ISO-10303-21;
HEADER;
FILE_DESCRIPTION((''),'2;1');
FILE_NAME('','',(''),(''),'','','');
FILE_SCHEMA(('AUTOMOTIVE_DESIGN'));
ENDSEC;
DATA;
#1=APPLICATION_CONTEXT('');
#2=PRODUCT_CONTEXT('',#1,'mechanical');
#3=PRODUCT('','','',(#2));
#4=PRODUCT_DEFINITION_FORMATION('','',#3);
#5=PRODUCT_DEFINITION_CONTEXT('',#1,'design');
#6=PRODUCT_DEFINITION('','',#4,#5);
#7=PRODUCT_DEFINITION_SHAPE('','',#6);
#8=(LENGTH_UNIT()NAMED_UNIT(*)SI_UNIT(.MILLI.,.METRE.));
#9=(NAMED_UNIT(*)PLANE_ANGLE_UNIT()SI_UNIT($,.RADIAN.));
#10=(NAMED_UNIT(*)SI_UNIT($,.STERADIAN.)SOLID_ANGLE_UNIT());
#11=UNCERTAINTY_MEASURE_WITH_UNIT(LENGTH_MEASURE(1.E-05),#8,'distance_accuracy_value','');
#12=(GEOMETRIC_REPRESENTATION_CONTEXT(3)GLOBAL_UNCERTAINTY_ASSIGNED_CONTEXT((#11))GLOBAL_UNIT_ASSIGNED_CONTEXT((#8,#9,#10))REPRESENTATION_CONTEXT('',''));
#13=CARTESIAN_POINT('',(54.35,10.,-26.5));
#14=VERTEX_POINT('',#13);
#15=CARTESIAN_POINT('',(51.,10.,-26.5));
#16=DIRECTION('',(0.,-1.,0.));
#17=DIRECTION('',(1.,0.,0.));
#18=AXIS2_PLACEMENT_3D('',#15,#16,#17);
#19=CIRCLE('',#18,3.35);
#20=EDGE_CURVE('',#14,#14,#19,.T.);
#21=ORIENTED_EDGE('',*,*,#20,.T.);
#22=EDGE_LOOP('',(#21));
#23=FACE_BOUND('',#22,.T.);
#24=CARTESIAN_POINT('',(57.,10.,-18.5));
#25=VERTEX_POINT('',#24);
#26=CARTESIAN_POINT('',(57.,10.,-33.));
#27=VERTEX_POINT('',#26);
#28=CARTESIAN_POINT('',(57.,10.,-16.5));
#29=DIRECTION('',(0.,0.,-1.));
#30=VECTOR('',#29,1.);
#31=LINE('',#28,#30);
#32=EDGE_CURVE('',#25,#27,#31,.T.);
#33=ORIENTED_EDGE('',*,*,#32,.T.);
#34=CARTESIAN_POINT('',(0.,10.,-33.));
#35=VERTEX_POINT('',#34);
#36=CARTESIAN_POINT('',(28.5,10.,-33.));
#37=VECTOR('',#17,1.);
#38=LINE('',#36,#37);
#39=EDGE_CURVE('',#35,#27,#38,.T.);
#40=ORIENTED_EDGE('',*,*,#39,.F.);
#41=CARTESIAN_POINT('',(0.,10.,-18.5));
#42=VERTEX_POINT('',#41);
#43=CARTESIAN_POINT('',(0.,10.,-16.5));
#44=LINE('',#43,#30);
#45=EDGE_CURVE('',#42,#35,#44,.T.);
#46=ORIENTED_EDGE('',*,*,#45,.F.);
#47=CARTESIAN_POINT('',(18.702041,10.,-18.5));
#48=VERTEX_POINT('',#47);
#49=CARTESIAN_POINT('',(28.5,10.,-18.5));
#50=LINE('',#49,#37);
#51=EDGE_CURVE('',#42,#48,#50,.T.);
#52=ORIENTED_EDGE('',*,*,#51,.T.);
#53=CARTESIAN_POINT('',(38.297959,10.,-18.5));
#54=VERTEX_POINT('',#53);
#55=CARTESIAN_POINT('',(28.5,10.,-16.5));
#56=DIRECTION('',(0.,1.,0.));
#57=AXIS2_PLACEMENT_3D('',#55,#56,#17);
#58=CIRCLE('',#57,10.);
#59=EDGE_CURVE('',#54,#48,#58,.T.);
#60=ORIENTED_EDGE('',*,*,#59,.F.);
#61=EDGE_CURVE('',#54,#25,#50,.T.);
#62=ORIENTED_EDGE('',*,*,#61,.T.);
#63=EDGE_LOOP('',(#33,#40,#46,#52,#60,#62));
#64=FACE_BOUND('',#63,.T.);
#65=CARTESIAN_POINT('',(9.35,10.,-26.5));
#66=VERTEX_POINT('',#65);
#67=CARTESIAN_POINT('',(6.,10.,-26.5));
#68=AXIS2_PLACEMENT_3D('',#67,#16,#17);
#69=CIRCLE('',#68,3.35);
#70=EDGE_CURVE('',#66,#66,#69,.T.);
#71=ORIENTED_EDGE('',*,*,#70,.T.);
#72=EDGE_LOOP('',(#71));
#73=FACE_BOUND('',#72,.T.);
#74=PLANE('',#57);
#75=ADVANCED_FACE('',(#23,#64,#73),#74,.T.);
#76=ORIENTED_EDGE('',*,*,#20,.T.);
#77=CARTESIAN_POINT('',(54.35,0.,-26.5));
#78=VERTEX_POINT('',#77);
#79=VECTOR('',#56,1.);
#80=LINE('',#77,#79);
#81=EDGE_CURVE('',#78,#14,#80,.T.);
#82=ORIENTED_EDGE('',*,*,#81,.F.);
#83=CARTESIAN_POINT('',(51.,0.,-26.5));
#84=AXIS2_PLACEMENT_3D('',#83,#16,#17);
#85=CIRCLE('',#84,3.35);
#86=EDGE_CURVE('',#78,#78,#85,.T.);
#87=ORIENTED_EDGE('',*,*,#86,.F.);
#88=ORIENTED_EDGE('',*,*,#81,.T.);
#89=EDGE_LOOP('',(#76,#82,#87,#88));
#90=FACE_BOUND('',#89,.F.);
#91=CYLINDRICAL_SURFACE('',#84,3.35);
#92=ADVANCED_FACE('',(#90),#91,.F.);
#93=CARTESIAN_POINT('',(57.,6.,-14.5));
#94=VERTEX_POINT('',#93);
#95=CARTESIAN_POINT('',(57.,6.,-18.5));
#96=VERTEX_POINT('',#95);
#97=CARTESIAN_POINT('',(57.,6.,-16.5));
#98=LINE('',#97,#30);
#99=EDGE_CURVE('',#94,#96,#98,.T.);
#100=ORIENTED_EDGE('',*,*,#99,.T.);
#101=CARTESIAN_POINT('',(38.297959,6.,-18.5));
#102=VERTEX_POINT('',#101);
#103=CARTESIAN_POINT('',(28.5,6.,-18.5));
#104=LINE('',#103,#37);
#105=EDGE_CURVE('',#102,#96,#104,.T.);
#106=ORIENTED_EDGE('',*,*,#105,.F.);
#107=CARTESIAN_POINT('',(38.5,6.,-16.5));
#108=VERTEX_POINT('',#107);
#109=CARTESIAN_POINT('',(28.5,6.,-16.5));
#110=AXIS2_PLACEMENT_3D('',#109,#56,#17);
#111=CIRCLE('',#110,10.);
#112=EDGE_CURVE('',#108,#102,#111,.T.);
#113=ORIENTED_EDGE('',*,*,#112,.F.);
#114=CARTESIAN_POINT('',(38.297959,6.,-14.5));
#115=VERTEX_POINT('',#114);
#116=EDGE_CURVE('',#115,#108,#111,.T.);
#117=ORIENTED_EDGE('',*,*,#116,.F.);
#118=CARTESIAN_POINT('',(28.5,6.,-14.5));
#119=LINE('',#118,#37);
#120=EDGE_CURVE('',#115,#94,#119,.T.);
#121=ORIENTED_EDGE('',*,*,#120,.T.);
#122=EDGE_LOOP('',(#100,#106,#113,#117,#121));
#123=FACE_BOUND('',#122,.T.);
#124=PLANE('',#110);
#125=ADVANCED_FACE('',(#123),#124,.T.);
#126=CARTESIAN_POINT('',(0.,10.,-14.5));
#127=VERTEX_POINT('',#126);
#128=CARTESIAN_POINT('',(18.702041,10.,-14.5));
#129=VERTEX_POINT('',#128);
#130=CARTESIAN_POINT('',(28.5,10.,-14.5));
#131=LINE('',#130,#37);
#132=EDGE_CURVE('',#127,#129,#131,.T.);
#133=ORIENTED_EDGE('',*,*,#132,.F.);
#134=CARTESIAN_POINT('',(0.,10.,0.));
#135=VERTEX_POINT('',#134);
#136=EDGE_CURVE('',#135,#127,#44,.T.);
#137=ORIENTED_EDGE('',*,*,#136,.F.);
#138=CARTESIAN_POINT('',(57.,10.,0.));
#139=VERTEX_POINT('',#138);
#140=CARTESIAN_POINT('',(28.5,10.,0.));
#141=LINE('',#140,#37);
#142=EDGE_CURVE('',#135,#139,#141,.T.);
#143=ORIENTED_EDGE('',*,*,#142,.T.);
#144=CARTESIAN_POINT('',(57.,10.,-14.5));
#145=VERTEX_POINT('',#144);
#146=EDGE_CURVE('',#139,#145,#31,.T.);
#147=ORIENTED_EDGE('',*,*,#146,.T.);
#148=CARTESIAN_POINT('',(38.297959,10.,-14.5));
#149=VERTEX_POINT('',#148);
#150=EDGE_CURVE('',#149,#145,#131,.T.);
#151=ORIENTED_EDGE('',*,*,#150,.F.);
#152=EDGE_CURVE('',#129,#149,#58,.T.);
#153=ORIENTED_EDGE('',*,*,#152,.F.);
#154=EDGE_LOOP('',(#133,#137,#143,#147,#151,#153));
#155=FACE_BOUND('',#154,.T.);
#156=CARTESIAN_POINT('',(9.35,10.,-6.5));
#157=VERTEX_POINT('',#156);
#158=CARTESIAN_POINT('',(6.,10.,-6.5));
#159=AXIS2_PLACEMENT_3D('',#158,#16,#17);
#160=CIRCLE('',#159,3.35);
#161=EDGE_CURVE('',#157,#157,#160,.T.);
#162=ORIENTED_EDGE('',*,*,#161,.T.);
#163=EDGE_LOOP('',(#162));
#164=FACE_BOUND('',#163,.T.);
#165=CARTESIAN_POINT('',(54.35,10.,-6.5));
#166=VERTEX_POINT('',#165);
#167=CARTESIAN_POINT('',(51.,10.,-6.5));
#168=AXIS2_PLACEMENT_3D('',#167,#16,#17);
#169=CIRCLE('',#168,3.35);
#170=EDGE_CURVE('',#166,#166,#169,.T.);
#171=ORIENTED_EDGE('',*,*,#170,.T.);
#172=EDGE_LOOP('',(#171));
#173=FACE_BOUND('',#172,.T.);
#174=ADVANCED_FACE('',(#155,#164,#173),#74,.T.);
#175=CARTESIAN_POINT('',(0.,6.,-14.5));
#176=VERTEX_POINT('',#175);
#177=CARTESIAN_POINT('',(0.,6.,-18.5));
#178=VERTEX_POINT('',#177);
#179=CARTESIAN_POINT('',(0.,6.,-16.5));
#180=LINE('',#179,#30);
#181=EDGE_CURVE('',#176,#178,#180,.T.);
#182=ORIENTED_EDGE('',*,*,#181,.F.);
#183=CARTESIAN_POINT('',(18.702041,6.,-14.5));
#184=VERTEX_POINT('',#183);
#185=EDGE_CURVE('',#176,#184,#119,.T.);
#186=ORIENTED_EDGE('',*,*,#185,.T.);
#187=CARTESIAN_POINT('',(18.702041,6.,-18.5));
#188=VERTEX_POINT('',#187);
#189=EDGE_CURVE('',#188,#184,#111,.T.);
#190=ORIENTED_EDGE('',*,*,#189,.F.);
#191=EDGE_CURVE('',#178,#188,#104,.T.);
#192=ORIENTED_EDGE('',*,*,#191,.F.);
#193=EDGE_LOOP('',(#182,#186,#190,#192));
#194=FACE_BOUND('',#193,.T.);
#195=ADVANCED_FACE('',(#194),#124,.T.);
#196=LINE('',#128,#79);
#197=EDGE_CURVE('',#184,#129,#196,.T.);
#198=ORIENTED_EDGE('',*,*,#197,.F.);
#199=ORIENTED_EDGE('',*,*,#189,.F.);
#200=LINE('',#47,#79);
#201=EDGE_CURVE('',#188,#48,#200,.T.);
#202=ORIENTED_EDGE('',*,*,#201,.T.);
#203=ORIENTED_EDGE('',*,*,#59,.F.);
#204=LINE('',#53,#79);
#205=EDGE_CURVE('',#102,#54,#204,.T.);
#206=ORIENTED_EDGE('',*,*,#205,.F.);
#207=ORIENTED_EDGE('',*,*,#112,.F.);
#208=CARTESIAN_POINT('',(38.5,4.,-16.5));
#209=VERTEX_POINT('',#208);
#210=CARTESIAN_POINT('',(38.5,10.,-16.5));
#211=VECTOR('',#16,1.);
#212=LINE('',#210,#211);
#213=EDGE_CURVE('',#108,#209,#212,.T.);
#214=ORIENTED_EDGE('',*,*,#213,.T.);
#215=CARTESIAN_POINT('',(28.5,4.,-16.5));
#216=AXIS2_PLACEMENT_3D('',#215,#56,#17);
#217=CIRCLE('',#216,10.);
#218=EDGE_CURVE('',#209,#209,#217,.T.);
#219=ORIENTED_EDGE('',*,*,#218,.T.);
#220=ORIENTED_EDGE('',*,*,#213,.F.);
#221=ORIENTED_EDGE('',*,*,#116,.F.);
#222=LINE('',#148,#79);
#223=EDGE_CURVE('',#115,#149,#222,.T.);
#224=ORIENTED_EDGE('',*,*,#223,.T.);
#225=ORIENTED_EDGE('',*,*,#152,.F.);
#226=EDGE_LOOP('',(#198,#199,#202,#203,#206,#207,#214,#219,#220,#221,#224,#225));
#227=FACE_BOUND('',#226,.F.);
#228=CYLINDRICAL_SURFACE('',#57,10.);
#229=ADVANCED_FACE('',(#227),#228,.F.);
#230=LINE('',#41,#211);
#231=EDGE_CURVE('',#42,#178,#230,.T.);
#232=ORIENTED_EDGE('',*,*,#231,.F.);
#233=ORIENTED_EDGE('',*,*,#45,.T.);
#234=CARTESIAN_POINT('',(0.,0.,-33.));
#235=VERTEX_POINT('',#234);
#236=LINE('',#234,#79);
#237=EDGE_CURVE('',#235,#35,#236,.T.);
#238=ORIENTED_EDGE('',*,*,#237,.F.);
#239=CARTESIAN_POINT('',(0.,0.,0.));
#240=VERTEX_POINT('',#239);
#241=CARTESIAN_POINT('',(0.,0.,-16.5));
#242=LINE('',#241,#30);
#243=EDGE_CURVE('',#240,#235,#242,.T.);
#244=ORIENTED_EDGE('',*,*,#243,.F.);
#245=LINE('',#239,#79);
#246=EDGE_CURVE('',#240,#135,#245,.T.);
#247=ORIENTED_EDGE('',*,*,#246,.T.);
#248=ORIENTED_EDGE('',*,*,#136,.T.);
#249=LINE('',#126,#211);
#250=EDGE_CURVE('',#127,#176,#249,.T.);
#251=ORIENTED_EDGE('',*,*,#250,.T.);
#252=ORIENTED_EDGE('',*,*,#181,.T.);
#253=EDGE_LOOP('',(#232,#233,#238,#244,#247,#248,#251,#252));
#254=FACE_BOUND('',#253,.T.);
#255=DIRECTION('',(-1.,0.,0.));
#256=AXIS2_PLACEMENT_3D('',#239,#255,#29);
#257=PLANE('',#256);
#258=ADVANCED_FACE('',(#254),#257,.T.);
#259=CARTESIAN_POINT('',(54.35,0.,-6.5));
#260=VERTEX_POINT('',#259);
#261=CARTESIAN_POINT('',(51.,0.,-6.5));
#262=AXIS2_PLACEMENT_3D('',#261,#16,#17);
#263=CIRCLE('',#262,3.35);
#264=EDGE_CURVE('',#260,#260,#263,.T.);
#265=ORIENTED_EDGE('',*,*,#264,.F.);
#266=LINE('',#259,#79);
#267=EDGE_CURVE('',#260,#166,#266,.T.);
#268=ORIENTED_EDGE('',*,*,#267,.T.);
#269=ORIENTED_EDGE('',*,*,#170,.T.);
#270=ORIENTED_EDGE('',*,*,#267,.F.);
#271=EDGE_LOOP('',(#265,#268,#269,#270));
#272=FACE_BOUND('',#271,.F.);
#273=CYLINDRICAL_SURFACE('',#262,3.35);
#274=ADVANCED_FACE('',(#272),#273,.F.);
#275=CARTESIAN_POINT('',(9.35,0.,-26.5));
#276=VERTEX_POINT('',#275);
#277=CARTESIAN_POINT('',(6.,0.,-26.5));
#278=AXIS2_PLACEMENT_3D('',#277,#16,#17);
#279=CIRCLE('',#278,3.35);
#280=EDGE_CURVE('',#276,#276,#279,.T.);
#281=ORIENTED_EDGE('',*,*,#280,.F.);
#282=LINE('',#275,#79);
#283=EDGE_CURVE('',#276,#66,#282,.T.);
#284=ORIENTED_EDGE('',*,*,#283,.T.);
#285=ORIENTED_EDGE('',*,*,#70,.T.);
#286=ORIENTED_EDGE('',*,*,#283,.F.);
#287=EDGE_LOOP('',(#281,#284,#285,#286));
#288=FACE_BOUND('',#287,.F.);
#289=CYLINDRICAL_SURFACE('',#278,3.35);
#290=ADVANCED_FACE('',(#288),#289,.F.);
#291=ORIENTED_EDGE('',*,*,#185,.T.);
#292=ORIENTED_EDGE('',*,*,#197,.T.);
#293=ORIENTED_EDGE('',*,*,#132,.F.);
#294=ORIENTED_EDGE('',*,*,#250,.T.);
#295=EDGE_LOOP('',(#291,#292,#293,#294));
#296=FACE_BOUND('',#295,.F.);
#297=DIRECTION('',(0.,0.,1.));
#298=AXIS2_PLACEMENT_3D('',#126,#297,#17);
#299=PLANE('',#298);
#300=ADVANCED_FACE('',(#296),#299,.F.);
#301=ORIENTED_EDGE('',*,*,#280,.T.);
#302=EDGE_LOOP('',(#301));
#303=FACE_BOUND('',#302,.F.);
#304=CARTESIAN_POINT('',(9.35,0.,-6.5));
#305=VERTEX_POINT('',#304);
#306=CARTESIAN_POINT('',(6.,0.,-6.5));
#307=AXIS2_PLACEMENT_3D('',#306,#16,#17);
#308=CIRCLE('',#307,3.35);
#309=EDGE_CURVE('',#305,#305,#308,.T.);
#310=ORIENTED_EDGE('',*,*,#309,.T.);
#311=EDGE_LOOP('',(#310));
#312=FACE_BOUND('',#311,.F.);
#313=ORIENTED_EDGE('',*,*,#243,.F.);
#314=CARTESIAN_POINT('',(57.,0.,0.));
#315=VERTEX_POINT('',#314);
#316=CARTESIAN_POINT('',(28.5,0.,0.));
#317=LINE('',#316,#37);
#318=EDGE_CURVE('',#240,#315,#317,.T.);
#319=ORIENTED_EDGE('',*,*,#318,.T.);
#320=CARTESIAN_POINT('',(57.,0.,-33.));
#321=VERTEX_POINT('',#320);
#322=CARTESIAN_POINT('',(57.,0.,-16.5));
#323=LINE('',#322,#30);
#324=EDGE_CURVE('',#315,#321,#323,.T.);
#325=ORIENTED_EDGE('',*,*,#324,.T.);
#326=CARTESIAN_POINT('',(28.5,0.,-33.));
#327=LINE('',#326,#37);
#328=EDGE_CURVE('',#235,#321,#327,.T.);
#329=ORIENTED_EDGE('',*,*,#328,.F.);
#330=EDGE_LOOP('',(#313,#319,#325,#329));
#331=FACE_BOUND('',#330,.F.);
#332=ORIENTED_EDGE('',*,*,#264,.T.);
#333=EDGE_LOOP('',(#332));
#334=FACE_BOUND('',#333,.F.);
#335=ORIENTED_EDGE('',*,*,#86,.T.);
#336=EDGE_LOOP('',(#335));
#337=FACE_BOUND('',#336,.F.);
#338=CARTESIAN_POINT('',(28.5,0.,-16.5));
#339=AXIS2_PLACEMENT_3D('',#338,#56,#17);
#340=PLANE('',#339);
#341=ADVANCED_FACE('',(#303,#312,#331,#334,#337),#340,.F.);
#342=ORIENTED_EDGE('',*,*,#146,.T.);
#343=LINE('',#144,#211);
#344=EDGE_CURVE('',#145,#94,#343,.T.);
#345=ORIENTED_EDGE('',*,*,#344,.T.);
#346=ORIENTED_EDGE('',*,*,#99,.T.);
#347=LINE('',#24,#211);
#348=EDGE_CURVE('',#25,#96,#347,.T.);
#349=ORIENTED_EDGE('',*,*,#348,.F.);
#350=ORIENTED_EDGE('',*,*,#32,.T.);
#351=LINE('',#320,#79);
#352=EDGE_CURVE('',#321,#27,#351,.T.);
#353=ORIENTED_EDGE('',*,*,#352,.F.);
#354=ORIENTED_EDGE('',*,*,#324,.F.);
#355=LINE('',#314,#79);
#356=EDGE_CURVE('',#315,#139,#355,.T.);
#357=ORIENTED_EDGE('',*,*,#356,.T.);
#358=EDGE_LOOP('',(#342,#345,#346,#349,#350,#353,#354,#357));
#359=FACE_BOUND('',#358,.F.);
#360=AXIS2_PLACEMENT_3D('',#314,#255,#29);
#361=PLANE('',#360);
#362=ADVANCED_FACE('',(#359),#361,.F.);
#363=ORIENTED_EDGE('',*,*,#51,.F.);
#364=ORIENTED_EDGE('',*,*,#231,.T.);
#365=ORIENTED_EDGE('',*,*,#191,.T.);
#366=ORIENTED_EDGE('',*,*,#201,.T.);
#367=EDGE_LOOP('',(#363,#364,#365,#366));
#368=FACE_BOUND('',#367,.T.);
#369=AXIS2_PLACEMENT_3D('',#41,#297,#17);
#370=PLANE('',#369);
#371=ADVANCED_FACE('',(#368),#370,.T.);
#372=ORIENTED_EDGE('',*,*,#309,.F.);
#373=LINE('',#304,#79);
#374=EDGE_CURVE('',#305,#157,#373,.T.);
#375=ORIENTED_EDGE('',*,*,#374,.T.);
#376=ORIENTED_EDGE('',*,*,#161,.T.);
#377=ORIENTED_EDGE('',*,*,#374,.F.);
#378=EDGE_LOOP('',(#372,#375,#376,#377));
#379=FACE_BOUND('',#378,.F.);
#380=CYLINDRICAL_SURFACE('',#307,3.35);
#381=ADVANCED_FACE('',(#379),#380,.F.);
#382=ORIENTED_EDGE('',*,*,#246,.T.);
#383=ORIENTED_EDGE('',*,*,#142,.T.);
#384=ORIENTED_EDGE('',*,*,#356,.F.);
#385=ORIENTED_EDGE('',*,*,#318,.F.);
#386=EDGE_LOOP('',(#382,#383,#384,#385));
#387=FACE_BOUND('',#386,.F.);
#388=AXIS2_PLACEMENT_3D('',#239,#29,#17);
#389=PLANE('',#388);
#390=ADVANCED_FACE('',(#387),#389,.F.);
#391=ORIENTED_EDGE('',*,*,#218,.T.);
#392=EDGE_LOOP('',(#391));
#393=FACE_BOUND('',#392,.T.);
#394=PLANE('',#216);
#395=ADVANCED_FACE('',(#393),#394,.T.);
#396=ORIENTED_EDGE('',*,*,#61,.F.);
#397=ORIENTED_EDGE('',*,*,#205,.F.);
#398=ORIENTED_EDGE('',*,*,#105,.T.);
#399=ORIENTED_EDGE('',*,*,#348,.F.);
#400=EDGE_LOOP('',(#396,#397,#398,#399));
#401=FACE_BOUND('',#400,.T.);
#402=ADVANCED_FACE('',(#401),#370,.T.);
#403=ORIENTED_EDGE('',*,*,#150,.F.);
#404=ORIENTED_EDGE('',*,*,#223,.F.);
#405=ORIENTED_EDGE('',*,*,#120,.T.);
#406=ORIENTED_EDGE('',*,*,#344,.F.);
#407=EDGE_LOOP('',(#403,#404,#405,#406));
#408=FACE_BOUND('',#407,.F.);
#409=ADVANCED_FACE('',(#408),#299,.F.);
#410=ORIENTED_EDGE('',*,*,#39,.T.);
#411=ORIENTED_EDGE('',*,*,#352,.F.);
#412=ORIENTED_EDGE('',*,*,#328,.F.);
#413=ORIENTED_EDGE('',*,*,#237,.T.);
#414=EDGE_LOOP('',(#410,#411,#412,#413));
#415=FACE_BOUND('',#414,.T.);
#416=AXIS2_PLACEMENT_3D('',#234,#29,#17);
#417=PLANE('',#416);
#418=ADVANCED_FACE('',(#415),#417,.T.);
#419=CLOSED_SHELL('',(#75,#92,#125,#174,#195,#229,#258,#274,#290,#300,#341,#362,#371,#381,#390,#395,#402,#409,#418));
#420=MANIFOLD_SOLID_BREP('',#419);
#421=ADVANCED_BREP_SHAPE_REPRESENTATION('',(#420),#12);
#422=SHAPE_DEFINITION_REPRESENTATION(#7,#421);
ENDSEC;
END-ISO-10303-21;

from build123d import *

# Parameters (mm, degrees)
SKETCH1_W           = 57
SKETCH1_H           = 33
BOSS_EXTRUDE1_DEPTH = 10
SKETCH3_R           = 3.35
CUT_EXTRUDE1_DEPTH  = 11
SKETCH4_R           = 3.35
CUT_EXTRUDE2_DEPTH  = 11
SKETCH10_R          = 3.35
CUT_EXTRUDE5_DEPTH  = 11
SKETCH12_R          = 3.35
CUT_EXTRUDE6_DEPTH  = 11
SKETCH16_W          = 57
SKETCH16_H          = 4
CUT_EXTRUDE7_DEPTH  = 4
SKETCH17_R          = 10
CUT_EXTRUDE8_DEPTH  = 6


with BuildPart() as part:
    # Sketch1 → Boss-Extrude1 (new body)
    with BuildSketch(Plane(origin=(0, 0, 0), x_dir=(1, 0, 0), z_dir=(0, 1, 0))):
        with Locations((28.5, 16.5)):
            Rectangle(SKETCH1_W, SKETCH1_H)
    extrude(amount=BOSS_EXTRUDE1_DEPTH)

    # Sketch3 → Cut-Extrude1 (cut, through all)
    with BuildSketch(Plane.XZ):
        with Locations((6, -6.5)):
            Circle(SKETCH3_R)
    extrude(amount=-CUT_EXTRUDE1_DEPTH, mode=Mode.SUBTRACT)

    # Sketch4 → Cut-Extrude2 (cut, through all)
    with BuildSketch(Plane.XZ):
        with Locations((51, -26.5)):
            Circle(SKETCH4_R)
    extrude(amount=-CUT_EXTRUDE2_DEPTH, mode=Mode.SUBTRACT)

    # Sketch10 → Cut-Extrude5 (cut, through all)
    with BuildSketch(Plane.XZ):
        with Locations((6, -26.5)):
            Circle(SKETCH10_R)
    extrude(amount=-CUT_EXTRUDE5_DEPTH, mode=Mode.SUBTRACT)

    # Sketch12 → Cut-Extrude6 (cut, through all)
    with BuildSketch(Plane.XZ):
        with Locations((51, -6.5)):
            Circle(SKETCH12_R)
    extrude(amount=-CUT_EXTRUDE6_DEPTH, mode=Mode.SUBTRACT)

    # Sketch16 → Cut-Extrude7 (cut)
    with BuildSketch(Plane(origin=(0, 10, 0), x_dir=(1, 0, 0), z_dir=(0, 1, 0))):
        with Locations((28.5, 16.5)):
            Rectangle(SKETCH16_W, SKETCH16_H)
    extrude(amount=-CUT_EXTRUDE7_DEPTH, mode=Mode.SUBTRACT)

    # Sketch17 → Cut-Extrude8 (cut)
    with BuildSketch(Plane(origin=(0, 10, 0), x_dir=(1, 0, 0), z_dir=(0, 1, 0))):
        with Locations((28.5, 16.5)):
            Circle(SKETCH17_R)
    extrude(amount=-CUT_EXTRUDE8_DEPTH, mode=Mode.SUBTRACT)


solid = part.part
